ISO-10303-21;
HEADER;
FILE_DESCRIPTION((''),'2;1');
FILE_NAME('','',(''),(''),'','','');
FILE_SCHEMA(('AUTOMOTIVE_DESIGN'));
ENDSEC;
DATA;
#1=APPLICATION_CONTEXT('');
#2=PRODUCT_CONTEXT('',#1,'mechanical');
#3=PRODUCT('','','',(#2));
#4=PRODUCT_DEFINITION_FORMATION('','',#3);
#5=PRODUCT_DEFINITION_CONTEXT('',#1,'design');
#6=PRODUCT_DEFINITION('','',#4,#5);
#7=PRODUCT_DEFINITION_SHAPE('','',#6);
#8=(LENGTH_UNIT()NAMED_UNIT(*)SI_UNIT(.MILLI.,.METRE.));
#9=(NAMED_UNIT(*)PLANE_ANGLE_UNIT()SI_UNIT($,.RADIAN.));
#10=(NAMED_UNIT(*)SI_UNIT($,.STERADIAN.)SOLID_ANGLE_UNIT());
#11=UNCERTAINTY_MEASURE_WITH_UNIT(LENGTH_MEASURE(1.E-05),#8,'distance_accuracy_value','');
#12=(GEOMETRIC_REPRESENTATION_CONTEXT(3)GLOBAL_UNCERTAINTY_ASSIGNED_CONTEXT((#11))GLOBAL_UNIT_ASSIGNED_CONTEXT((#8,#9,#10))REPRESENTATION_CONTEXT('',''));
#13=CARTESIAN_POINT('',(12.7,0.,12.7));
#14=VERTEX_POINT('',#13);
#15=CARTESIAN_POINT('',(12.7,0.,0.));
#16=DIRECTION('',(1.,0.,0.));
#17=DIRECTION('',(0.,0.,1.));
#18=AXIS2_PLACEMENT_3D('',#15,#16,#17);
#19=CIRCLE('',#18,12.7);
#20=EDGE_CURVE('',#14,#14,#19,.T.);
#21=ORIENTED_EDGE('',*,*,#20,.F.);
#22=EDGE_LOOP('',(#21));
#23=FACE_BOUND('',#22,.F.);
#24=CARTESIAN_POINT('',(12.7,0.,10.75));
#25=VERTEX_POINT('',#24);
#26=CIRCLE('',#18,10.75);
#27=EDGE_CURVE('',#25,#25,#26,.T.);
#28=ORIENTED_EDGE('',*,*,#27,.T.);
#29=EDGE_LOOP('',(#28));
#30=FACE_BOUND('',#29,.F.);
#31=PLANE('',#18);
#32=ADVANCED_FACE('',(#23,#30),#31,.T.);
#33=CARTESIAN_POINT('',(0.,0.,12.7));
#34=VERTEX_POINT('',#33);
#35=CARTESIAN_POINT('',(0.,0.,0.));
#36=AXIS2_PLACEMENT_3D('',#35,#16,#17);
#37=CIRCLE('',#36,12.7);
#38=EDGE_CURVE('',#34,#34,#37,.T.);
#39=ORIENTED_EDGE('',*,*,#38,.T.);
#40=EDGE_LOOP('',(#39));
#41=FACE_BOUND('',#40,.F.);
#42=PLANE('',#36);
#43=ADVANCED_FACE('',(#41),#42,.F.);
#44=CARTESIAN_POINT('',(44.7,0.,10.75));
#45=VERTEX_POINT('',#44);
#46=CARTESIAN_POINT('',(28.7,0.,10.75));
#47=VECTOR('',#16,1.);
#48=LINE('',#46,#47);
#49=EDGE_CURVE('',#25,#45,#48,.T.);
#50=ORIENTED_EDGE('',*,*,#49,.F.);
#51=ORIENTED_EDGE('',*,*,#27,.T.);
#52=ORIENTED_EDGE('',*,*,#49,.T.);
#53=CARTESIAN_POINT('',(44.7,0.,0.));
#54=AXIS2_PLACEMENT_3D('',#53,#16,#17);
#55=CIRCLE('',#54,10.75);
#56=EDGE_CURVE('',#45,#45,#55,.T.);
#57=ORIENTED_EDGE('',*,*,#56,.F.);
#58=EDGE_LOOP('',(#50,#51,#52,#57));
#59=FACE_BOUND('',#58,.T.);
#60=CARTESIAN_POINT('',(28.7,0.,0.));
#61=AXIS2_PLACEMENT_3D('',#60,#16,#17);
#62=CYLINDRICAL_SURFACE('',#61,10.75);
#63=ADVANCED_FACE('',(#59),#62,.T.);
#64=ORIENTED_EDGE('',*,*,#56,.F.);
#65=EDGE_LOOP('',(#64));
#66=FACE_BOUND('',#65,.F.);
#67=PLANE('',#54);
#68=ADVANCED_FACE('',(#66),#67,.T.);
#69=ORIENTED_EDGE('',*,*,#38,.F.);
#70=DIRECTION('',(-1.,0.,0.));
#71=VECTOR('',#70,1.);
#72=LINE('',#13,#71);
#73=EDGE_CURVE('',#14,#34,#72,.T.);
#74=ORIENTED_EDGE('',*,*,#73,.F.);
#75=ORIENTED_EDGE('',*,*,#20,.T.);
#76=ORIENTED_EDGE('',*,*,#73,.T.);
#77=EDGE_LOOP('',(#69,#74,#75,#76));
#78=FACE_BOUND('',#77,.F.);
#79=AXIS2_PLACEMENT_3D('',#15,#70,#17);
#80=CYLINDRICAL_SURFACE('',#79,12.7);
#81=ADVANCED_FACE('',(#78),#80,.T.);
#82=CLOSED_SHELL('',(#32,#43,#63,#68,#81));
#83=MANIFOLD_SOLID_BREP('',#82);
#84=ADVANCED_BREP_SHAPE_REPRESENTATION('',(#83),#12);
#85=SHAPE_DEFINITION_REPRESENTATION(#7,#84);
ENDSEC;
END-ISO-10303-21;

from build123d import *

# Parameters (mm, degrees)
F0_W = 32
F0_H = 10.75


with BuildPart() as f1:
    # F0 (on Front) → F1 (revolve)
    with BuildSketch(Plane.XZ):
        Polygon((0, 12.7), (0, 0), (12.7, 0), (12.7, 10.75), (12.7, 12.7), align=None)
        with Locations((28.7, 5.375)):
            Rectangle(F0_W, F0_H)
    revolve(axis=Axis((28.7, 0, 0), (1, 0, 0)))


solid = f1.part
